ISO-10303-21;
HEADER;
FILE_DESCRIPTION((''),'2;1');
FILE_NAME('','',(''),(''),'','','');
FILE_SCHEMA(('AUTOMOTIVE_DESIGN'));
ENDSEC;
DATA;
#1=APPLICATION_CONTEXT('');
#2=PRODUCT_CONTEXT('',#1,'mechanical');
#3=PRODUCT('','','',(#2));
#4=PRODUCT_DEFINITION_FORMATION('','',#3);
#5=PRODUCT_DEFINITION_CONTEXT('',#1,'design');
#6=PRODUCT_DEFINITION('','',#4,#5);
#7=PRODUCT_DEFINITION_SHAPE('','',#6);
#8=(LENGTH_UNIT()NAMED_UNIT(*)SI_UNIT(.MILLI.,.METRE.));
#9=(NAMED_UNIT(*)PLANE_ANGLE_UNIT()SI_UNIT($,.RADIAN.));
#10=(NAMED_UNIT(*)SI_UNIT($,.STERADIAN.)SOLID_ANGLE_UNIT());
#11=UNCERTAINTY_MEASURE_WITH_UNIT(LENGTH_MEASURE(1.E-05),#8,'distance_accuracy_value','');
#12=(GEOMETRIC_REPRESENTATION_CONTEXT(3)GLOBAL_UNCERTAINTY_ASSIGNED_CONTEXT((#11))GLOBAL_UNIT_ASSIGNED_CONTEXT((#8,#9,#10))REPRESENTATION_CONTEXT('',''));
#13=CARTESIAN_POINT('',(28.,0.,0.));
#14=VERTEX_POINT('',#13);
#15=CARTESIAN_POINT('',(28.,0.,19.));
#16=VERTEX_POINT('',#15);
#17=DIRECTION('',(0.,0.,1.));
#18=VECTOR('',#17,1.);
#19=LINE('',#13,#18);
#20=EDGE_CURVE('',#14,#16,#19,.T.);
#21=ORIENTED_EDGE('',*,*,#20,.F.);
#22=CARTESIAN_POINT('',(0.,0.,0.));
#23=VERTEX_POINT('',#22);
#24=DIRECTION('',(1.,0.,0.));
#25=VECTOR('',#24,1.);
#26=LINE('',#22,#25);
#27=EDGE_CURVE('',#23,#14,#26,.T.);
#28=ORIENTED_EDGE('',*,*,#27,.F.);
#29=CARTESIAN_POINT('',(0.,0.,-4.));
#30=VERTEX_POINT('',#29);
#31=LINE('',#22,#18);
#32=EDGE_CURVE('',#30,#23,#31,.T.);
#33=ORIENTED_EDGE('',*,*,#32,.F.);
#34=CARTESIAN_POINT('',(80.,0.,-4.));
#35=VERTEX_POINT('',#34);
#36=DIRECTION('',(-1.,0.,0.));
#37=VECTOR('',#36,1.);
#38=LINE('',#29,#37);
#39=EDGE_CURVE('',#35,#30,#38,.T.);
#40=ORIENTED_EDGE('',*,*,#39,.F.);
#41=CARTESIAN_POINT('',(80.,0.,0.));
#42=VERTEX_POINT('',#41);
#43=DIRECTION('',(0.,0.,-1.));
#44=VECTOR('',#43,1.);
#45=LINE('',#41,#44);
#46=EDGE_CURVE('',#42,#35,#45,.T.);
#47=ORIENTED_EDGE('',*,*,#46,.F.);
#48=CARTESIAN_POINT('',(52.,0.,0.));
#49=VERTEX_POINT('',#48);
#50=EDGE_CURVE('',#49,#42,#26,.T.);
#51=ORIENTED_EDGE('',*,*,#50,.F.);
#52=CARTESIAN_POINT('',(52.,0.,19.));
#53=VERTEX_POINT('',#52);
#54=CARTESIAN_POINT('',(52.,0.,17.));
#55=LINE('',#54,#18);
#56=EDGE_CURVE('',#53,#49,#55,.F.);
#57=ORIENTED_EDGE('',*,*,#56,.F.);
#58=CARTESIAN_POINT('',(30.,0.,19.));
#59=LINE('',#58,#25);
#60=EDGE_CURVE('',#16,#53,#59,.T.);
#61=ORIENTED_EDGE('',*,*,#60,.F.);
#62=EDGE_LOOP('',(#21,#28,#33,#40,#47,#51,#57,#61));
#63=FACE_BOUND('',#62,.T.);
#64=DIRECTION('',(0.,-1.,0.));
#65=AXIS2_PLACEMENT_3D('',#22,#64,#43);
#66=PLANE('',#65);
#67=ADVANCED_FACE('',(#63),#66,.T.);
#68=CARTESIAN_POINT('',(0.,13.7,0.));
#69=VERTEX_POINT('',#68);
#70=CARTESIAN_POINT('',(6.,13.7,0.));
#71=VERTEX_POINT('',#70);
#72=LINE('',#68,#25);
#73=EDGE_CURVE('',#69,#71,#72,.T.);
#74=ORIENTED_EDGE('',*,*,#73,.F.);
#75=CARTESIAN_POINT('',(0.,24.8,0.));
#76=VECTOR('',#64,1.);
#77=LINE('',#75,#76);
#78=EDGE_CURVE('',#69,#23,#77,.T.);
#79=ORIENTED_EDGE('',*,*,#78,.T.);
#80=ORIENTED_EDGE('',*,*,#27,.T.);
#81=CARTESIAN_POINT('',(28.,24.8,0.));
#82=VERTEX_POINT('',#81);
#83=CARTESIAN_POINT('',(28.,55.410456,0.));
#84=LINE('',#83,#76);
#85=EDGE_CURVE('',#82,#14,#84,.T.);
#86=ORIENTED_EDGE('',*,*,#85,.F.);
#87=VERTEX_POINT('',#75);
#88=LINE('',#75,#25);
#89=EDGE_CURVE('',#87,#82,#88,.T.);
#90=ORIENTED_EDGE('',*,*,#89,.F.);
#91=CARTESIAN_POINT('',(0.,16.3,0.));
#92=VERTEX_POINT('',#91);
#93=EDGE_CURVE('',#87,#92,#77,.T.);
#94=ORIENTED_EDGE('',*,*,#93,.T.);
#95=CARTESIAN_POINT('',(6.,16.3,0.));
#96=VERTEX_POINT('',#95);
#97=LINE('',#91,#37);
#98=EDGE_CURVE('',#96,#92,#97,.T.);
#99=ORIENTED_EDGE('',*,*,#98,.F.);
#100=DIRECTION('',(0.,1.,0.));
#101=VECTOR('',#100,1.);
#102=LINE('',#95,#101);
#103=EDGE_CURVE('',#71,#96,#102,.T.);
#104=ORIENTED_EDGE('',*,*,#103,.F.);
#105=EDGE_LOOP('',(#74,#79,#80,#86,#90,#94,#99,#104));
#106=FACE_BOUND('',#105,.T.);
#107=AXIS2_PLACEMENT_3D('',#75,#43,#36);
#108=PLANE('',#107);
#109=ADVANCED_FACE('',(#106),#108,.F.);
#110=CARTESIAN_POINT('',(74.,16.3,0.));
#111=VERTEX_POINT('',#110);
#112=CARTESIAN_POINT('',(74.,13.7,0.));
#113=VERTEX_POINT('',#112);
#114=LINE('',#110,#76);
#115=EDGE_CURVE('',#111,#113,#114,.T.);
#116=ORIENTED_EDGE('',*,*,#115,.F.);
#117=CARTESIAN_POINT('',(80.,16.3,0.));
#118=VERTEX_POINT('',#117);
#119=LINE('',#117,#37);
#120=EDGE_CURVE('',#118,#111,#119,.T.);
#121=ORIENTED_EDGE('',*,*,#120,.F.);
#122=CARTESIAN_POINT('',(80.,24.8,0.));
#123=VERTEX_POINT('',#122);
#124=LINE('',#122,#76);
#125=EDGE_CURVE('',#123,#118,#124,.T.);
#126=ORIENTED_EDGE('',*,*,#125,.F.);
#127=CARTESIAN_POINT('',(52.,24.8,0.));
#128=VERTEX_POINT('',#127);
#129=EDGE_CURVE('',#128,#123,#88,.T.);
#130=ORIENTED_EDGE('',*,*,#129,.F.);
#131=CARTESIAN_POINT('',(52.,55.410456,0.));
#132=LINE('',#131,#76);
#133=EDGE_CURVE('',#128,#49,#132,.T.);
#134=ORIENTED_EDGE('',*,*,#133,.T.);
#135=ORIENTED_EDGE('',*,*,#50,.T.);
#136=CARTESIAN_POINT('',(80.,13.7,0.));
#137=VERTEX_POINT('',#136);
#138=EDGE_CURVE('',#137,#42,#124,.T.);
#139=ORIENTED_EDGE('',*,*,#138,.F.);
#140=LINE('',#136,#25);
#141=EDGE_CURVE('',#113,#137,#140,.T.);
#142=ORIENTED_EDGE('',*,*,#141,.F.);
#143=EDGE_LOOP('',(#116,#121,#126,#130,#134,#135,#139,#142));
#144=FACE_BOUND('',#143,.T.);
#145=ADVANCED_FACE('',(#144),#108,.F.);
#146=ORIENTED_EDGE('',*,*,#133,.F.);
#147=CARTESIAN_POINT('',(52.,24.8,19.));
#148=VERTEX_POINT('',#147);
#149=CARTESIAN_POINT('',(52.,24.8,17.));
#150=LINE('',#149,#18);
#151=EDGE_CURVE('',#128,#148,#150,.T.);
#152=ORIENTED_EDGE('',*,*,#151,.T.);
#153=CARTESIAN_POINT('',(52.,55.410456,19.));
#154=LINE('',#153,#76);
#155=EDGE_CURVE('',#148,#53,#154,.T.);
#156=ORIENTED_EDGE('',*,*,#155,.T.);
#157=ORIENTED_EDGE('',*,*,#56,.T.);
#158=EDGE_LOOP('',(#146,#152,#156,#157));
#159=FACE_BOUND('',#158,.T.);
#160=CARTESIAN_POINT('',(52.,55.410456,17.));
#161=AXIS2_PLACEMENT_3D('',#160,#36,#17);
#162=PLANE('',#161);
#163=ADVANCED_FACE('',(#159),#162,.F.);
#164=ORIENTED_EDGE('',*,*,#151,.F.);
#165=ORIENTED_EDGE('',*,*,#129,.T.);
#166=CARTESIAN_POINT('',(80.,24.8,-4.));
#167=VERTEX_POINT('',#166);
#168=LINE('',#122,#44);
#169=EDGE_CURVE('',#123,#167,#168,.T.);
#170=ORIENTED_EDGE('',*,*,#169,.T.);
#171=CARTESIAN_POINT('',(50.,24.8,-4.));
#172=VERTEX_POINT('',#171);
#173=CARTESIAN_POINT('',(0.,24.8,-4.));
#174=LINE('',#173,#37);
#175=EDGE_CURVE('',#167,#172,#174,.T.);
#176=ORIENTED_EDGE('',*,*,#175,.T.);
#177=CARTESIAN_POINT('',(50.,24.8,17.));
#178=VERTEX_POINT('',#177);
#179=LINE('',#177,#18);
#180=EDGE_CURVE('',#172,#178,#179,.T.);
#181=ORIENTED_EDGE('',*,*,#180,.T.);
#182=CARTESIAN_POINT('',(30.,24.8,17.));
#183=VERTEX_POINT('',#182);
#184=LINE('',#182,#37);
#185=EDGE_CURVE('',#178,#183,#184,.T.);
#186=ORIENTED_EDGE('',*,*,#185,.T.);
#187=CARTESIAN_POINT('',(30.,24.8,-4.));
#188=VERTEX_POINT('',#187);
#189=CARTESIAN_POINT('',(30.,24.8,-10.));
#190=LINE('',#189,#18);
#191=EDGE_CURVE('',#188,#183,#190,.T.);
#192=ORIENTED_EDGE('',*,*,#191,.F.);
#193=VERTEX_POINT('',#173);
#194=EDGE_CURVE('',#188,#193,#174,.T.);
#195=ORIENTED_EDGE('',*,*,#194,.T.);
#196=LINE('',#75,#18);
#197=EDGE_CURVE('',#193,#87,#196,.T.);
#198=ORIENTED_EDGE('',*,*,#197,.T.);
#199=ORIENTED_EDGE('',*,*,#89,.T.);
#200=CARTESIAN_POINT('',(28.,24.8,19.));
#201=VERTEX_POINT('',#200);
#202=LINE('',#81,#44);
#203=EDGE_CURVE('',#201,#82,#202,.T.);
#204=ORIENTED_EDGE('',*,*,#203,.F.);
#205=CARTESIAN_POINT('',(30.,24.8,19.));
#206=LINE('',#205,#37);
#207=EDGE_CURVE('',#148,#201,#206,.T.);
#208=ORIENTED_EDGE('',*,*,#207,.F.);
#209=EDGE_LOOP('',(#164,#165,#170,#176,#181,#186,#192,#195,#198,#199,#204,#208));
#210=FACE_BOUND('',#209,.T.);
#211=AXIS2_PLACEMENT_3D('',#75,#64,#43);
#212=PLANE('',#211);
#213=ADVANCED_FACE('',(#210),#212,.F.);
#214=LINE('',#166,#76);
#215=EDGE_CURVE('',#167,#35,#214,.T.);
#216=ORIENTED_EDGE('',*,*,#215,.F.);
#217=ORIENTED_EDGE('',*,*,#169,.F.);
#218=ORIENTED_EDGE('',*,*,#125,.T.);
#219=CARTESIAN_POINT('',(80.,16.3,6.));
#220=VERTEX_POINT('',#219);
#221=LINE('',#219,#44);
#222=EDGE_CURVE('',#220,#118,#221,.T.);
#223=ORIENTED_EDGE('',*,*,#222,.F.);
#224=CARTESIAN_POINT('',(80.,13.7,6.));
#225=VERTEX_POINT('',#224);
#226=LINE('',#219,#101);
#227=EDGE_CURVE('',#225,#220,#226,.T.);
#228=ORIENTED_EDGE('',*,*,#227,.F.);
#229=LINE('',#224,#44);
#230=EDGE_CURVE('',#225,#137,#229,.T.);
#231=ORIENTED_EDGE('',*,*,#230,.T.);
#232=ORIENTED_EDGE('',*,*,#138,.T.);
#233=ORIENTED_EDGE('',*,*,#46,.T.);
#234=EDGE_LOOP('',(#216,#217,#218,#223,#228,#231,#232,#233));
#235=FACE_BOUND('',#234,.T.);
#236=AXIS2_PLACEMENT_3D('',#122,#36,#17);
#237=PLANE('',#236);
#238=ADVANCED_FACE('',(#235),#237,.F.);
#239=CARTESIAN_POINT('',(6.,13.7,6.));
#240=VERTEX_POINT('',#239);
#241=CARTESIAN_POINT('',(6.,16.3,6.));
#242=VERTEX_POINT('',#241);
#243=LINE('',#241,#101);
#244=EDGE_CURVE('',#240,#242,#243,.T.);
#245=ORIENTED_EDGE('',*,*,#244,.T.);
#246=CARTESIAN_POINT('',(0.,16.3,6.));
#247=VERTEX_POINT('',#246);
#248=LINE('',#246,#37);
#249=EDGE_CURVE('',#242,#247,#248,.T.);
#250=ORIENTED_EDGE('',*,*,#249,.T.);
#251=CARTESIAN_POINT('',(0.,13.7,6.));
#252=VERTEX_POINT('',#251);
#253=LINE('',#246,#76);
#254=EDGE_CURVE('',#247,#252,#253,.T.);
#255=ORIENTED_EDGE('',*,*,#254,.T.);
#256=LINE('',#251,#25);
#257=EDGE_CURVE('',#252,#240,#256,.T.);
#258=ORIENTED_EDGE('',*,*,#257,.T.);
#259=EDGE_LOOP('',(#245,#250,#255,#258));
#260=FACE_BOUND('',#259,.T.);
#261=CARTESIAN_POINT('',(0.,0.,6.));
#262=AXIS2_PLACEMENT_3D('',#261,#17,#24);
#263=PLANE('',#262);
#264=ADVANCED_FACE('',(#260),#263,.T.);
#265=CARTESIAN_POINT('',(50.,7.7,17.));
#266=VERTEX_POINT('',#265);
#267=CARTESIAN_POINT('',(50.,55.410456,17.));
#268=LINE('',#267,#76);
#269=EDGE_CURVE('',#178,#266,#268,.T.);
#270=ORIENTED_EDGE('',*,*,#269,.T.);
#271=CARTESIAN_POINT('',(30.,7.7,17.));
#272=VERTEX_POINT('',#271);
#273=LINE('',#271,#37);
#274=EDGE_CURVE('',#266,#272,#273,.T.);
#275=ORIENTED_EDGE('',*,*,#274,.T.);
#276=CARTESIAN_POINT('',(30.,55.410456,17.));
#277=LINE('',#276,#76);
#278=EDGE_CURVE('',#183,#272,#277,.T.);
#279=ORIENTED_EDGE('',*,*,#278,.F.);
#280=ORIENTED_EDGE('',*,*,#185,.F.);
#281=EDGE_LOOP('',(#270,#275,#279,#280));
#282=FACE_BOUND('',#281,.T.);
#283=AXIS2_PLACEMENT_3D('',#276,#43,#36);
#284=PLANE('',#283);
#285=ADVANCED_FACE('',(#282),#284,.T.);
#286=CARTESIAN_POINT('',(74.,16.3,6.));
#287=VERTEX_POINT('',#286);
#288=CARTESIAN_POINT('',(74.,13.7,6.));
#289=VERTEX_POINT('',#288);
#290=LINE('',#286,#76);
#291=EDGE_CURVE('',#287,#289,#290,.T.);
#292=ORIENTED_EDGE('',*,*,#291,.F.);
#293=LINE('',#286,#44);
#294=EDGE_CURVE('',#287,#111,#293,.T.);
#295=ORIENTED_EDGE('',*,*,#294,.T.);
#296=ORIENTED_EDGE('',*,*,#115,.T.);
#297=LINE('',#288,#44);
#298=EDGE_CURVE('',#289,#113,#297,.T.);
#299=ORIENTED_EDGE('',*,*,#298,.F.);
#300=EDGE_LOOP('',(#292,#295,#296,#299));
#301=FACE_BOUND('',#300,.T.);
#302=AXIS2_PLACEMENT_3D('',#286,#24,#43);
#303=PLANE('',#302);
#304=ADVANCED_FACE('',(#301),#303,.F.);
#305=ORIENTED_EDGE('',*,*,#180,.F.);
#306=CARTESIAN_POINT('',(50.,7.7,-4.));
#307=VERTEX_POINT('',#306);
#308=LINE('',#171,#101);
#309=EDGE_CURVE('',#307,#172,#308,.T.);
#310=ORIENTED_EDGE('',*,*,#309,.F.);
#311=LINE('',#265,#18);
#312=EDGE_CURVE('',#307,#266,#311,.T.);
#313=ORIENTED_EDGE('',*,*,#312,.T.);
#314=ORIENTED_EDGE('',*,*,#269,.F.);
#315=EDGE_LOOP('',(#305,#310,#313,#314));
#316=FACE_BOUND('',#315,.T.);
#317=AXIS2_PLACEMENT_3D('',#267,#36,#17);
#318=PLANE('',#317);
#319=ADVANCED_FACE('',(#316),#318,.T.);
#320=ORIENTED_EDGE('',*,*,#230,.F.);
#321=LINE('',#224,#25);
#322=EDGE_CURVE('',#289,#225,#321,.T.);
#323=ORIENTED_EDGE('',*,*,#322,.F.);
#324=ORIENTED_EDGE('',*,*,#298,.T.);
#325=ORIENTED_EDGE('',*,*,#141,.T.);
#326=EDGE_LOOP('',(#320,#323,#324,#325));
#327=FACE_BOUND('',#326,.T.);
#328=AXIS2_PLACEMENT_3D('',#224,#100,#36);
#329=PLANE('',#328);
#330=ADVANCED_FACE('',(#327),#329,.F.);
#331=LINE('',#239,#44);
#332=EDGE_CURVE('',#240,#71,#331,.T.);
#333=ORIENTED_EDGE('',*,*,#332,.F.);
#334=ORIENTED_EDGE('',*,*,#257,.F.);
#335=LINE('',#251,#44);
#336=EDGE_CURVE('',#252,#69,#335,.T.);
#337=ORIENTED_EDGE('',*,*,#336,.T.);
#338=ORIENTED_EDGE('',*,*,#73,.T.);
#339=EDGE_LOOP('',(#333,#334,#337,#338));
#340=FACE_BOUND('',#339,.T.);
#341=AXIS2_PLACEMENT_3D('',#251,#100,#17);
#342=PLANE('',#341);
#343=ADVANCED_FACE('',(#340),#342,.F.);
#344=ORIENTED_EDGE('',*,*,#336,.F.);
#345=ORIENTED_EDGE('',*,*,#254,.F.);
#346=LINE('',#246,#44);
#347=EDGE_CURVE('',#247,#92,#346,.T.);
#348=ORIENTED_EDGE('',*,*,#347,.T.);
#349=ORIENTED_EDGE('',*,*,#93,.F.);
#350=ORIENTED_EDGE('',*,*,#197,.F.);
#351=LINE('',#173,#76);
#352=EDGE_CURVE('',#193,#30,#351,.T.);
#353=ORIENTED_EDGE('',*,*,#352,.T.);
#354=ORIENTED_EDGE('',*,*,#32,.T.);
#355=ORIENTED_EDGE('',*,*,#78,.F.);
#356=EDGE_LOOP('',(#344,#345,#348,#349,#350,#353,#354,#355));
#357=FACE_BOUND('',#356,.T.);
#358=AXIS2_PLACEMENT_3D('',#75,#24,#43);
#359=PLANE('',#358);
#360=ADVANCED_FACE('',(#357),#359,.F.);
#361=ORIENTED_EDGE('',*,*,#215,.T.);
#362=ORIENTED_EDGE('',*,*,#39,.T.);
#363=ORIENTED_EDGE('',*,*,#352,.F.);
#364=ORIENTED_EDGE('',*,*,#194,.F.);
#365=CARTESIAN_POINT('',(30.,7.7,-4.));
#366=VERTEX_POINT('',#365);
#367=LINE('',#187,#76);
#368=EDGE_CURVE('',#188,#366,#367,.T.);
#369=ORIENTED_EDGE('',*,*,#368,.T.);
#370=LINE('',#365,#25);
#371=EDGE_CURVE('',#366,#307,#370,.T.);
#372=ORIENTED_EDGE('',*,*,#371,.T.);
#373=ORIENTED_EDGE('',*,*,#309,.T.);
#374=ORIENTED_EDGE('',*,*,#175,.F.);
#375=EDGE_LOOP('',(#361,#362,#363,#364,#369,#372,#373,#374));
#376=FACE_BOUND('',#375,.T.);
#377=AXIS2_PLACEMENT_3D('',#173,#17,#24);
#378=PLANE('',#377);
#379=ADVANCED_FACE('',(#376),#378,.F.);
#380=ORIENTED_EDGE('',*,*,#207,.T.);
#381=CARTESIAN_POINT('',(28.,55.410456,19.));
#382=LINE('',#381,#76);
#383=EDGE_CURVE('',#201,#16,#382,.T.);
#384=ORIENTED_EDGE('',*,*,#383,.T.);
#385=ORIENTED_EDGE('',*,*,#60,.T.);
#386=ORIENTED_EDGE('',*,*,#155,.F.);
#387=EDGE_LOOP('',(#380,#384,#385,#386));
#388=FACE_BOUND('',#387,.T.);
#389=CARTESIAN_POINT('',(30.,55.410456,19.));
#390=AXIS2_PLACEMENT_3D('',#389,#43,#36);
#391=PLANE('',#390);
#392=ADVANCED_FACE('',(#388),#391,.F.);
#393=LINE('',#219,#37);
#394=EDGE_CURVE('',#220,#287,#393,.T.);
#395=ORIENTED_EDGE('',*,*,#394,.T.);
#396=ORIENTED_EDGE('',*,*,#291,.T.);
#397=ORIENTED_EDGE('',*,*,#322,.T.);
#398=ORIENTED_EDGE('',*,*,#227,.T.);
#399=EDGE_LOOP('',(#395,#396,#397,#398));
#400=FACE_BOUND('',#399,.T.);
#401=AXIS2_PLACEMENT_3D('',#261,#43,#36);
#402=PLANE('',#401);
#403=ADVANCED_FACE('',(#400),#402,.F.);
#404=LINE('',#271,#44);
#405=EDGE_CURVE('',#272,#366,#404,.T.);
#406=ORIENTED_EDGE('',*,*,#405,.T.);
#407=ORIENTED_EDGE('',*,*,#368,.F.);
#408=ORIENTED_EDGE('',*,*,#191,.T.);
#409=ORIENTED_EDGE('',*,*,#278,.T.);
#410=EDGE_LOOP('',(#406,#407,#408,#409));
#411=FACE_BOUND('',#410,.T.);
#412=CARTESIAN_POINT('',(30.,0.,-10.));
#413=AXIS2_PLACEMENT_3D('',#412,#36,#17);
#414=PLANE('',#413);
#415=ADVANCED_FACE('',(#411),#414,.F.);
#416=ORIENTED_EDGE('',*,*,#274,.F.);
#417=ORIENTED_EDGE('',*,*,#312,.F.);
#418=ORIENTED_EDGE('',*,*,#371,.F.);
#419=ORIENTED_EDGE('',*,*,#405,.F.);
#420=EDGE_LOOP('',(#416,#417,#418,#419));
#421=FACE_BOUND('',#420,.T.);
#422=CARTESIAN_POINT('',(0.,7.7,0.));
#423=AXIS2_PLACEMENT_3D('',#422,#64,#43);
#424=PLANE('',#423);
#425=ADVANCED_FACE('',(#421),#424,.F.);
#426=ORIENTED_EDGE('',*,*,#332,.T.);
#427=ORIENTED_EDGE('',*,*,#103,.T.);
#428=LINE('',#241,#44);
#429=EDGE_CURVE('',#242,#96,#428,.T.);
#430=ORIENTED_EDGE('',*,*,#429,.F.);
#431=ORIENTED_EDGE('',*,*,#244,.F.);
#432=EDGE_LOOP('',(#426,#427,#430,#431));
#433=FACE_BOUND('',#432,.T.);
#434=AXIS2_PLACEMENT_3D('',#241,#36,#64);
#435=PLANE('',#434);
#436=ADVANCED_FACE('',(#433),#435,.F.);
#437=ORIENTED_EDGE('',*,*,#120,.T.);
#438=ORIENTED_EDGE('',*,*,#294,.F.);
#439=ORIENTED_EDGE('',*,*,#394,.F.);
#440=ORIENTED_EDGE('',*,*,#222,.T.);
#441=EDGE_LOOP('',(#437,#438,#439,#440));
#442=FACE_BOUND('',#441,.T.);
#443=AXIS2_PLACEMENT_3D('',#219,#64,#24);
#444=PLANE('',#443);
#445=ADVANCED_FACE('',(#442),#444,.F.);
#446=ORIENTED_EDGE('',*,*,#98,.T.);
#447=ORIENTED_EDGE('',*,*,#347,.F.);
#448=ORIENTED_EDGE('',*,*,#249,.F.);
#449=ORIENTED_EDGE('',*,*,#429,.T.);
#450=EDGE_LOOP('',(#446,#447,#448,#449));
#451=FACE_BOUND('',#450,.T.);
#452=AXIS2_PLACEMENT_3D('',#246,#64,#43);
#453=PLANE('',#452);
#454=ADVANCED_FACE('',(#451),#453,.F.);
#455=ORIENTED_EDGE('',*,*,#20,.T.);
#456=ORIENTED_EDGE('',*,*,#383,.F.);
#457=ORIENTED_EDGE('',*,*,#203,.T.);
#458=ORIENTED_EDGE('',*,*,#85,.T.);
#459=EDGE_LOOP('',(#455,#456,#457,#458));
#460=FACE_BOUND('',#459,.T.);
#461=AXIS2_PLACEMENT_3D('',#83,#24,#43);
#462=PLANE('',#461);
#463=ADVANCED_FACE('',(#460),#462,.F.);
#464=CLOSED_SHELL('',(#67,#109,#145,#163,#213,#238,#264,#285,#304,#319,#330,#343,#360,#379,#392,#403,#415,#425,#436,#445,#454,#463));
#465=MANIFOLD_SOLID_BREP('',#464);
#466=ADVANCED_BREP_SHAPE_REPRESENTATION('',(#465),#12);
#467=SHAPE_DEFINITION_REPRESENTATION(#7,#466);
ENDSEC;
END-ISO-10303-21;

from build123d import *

# Parameters (mm, degrees)
SKETCH1_W           = 80
SKETCH1_H           = 4
BOSS_EXTRUDE1_DEPTH = 24.8
SKETCH2_W           = 6
SKETCH2_H           = 2.6
BOSS_EXTRUDE2_DEPTH = 6
SKETCH3_W           = 20
SKETCH3_H           = 24.8
CUT_EXTRUDE1_DEPTH  = 10
EXTRUDE_THIN1_DEPTH = 24.8
SKETCH5_W           = 20
SKETCH5_H           = 21
BOSS_EXTRUDE3_DEPTH = 7.7


with BuildPart() as part:
    # Sketch1 → Boss-Extrude1 (new body)
    with BuildSketch(Plane(origin=(0, 0, 0), x_dir=(1, 0, 0), z_dir=(0, 1, 0))):
        with Locations((40, 2)):
            Rectangle(SKETCH1_W, SKETCH1_H)
    extrude(amount=BOSS_EXTRUDE1_DEPTH)

    # Sketch2 → Boss-Extrude2 (add)
    with BuildSketch(Plane.XY):
        with Locations((3, 15)):
            Rectangle(SKETCH2_W, SKETCH2_H)
        with Locations((77, 15)):
            Rectangle(SKETCH2_W, SKETCH2_H)
    extrude(amount=BOSS_EXTRUDE2_DEPTH)

    # Sketch3 → Cut-Extrude1 (cut)
    with BuildSketch(Plane.XY):
        with Locations((40, 12.4)):
            Rectangle(SKETCH3_W, SKETCH3_H)
    extrude(amount=-CUT_EXTRUDE1_DEPTH, mode=Mode.SUBTRACT)

    # Sketch4 → Extrude-Thin1 (add)
    with BuildSketch(Plane.XZ):
        Polygon((30, 0), (30, 17), (50, 17), (50, 0), (52, 0), (52, 19), (28, 19), (28, 0), align=None)
    extrude(amount=-EXTRUDE_THIN1_DEPTH)

    # Sketch5 → Boss-Extrude3 (add)
    with BuildSketch(Plane.XZ):
        with Locations((40, 6.5)):
            Rectangle(SKETCH5_W, SKETCH5_H)
    extrude(amount=-BOSS_EXTRUDE3_DEPTH)


solid = part.part
